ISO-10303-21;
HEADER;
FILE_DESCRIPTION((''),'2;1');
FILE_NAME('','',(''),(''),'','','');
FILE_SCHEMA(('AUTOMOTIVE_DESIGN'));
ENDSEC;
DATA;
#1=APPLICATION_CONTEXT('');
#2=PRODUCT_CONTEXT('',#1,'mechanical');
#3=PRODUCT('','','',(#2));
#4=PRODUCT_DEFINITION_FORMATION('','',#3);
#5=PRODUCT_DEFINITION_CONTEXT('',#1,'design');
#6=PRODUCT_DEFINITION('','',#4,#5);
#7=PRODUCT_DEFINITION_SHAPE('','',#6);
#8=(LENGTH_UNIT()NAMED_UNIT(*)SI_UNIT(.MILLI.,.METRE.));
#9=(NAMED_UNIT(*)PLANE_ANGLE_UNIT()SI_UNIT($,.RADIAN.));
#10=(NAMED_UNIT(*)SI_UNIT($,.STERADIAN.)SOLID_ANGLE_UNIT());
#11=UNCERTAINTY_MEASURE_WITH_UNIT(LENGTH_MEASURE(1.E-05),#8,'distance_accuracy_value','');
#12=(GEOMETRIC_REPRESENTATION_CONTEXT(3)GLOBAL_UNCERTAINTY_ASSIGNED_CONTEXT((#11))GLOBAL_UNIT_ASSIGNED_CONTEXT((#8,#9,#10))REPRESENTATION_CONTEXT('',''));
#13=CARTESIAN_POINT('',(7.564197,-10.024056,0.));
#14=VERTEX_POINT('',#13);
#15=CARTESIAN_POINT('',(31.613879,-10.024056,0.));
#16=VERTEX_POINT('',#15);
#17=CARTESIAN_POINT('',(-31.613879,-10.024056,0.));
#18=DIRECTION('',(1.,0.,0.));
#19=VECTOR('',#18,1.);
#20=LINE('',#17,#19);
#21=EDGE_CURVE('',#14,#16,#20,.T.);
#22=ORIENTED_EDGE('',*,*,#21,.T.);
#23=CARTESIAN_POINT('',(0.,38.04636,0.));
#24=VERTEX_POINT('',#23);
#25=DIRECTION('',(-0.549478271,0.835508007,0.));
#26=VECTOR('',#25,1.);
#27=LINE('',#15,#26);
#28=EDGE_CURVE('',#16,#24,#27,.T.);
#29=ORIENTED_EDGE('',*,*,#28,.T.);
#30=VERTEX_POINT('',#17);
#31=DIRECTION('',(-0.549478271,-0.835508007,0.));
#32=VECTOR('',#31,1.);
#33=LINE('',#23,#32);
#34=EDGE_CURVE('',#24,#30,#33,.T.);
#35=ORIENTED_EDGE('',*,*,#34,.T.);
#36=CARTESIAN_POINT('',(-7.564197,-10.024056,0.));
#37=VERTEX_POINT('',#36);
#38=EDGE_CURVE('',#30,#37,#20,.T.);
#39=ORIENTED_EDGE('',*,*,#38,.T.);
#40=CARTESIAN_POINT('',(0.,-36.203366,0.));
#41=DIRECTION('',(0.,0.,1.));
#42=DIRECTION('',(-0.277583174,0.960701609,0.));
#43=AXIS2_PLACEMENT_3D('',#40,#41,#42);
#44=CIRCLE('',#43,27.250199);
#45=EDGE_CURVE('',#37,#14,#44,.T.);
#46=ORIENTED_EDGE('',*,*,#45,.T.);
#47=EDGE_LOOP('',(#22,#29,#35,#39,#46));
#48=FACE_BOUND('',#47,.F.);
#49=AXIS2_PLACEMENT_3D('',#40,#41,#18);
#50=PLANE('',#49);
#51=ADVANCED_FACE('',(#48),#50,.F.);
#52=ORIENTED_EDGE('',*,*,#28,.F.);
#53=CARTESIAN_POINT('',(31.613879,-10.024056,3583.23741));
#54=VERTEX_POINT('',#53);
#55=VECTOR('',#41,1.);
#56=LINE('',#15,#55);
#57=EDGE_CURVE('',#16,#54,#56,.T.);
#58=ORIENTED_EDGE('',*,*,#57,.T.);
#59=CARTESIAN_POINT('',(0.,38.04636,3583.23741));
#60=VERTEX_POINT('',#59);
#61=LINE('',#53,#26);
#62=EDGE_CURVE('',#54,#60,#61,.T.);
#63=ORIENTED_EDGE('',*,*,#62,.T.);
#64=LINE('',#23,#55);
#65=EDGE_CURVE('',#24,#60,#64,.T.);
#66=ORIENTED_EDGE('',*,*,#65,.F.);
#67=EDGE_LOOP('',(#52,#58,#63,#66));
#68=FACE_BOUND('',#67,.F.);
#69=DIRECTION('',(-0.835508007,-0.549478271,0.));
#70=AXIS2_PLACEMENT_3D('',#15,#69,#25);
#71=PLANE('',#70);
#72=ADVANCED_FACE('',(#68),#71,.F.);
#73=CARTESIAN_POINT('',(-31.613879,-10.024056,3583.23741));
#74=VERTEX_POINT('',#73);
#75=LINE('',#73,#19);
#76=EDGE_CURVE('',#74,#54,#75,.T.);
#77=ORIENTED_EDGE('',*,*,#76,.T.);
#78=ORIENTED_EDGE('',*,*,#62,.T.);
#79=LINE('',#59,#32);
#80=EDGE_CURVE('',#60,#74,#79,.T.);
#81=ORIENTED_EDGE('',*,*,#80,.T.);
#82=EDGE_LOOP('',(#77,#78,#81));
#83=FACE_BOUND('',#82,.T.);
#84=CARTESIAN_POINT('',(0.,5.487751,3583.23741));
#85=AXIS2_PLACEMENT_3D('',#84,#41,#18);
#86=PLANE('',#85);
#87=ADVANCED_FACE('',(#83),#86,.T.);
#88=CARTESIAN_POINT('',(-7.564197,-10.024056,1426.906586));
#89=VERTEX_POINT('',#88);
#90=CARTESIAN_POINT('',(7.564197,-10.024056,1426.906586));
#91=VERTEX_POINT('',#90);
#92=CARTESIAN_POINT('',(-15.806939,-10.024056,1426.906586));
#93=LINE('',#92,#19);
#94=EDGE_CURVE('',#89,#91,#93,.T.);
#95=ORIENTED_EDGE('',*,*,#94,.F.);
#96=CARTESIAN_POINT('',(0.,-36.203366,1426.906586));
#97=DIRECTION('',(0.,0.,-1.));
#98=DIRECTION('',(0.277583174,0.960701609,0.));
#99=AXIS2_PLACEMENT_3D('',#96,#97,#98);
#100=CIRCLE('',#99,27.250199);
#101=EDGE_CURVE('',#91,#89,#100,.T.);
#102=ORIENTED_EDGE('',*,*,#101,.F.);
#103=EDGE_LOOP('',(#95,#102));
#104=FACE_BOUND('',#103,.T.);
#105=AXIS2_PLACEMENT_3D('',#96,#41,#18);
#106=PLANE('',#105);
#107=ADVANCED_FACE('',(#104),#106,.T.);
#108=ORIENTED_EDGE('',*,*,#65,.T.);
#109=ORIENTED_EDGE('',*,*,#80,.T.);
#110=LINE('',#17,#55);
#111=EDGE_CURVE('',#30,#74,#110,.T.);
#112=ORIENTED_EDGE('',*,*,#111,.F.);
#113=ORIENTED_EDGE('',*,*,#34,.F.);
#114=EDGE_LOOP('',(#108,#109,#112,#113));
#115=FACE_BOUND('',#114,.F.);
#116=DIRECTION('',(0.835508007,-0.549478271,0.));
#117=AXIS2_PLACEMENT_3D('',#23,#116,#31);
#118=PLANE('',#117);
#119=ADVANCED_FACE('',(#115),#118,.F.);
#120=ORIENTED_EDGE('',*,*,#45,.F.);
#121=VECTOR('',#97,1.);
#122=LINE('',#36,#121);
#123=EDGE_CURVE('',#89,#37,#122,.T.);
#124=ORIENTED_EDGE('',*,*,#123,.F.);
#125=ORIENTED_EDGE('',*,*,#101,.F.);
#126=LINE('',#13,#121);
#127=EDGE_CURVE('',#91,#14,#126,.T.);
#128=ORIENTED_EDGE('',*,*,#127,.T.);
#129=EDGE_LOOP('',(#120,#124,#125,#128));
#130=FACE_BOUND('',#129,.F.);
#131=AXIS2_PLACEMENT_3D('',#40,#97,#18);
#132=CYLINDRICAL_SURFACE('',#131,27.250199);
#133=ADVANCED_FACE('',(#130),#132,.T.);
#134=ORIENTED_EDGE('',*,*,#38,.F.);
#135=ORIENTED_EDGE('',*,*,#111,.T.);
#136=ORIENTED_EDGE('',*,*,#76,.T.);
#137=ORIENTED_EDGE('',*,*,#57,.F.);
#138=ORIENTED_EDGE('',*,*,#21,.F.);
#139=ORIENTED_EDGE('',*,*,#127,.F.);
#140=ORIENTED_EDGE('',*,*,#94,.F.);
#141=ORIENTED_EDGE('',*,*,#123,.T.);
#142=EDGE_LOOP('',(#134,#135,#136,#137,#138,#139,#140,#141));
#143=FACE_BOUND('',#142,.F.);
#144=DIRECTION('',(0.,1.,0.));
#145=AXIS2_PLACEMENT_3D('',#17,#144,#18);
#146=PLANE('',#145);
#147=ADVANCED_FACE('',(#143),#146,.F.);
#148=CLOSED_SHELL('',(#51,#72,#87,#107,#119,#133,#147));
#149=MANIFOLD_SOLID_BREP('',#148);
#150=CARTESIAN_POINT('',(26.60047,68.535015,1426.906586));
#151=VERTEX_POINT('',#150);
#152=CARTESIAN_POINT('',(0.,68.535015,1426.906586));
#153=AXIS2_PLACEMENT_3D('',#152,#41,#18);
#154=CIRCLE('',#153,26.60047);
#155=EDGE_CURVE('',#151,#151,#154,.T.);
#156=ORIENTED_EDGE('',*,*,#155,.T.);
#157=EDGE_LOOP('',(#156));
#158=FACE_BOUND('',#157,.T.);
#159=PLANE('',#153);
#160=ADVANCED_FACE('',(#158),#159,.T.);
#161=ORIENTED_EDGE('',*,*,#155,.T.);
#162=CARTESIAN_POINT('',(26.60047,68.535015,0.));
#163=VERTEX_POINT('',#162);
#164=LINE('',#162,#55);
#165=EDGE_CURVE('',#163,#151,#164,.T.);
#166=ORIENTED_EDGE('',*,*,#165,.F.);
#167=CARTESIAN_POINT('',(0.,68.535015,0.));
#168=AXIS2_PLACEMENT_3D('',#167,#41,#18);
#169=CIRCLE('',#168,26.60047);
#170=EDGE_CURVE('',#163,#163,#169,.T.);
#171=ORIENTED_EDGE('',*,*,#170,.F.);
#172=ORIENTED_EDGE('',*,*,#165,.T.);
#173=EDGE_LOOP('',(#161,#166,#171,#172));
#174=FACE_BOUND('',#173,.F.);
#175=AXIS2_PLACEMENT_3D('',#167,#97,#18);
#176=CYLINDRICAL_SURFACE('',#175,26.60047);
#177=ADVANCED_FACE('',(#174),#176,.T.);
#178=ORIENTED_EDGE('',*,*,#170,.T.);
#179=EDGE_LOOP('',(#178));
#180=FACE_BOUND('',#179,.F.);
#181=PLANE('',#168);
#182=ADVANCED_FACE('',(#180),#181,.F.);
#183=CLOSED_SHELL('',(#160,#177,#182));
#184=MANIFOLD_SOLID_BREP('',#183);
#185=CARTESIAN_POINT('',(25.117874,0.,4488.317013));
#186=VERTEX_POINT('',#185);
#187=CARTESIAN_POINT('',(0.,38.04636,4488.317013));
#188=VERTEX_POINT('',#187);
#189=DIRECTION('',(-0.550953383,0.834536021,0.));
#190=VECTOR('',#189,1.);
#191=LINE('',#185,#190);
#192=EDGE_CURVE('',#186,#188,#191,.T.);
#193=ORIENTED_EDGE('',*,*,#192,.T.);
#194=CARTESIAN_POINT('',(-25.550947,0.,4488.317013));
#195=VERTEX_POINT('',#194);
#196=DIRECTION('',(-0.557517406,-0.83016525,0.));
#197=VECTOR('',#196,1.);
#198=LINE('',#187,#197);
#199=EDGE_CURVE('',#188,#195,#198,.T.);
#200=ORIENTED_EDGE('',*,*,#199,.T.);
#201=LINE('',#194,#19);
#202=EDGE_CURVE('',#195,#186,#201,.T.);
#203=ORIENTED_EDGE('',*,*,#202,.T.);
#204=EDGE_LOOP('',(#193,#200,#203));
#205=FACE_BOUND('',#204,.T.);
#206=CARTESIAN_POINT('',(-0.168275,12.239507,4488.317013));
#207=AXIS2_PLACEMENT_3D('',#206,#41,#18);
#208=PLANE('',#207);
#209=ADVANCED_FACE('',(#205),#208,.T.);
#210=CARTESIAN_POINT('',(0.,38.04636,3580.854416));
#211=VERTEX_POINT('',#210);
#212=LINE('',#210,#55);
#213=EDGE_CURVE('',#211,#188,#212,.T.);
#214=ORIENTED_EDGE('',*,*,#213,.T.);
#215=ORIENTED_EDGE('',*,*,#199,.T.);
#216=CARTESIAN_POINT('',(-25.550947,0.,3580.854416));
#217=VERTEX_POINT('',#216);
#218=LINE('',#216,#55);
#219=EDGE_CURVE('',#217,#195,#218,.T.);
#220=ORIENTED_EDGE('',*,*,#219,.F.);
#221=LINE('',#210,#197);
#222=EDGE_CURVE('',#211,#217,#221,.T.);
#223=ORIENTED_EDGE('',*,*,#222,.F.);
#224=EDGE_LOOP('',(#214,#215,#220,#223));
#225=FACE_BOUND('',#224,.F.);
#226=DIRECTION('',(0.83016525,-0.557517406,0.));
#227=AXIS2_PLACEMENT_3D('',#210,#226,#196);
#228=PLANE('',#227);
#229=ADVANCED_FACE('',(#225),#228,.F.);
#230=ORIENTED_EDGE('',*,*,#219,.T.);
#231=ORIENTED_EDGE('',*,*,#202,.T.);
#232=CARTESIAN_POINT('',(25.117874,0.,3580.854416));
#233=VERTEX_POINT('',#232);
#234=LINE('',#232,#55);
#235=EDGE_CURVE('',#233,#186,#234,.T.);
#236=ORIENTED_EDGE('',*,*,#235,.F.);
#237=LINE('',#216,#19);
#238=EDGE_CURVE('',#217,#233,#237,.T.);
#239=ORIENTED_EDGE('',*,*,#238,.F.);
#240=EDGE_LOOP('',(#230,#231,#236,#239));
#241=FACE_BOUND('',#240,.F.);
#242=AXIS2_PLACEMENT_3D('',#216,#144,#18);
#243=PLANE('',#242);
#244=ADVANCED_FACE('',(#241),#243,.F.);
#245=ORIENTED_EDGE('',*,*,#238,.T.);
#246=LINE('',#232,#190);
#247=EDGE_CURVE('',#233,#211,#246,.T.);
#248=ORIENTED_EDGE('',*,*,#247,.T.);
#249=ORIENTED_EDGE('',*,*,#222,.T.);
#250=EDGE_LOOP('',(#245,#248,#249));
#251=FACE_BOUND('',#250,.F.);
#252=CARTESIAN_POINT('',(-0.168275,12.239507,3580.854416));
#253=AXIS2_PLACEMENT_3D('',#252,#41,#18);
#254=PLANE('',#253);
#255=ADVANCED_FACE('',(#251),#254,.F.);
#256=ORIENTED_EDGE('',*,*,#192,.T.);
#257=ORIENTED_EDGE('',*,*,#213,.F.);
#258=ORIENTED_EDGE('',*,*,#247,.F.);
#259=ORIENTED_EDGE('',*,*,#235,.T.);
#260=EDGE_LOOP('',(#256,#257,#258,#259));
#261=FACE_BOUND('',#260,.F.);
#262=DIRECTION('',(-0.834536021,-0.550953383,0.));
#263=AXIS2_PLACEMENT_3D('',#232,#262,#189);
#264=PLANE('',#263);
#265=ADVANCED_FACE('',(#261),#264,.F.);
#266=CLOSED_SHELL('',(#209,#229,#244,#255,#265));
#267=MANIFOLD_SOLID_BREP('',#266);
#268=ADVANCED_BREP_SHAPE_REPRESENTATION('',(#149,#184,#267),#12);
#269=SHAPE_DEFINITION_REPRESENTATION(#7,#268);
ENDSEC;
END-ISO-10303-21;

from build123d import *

# Parameters (mm, degrees)
F2_DEPTH = 3583.2374095917
F4_START = 3580.8544158936
F4_DEPTH = 907.4625968933
F5_R     = 27.2501989083
F6_DEPTH = 1426.9065856934
F5_R_2   = 26.6004704105


with BuildPart() as f2:
    # F1 (on Top) → F2 (new body)
    with BuildSketch(Plane.XY):
        Polygon((31.6138789058, -10.0240558386), (0, 38.0463600159), (-31.6138789058, -10.0240558386), (0, -10.0240558386), align=None)
    extrude(amount=F2_DEPTH)

    # F5 (on Top) → F6 (join)
    with BuildSketch(Plane.XY):
        with Locations((0, -36.203365773)):
            Circle(F5_R)
    extrude(amount=F6_DEPTH)


with BuildPart() as f4:
    # F3 (on Top) → F4 (new body)
    with BuildSketch(Plane.XY.offset(F4_START)):
        Polygon((25.1178741455, 0), (0, 38.0463600159), (-25.5509465933, 0), align=None)
    extrude(amount=F4_DEPTH)


with BuildPart() as f6:
    # F5 (on Top) → F6, piece 2 (new body)
    with BuildSketch(Plane.XY):
        with Locations((0, 68.535014987)):
            Circle(F5_R_2)
    extrude(amount=F6_DEPTH)


solid = Compound([f2.part, f4.part, f6.part])
